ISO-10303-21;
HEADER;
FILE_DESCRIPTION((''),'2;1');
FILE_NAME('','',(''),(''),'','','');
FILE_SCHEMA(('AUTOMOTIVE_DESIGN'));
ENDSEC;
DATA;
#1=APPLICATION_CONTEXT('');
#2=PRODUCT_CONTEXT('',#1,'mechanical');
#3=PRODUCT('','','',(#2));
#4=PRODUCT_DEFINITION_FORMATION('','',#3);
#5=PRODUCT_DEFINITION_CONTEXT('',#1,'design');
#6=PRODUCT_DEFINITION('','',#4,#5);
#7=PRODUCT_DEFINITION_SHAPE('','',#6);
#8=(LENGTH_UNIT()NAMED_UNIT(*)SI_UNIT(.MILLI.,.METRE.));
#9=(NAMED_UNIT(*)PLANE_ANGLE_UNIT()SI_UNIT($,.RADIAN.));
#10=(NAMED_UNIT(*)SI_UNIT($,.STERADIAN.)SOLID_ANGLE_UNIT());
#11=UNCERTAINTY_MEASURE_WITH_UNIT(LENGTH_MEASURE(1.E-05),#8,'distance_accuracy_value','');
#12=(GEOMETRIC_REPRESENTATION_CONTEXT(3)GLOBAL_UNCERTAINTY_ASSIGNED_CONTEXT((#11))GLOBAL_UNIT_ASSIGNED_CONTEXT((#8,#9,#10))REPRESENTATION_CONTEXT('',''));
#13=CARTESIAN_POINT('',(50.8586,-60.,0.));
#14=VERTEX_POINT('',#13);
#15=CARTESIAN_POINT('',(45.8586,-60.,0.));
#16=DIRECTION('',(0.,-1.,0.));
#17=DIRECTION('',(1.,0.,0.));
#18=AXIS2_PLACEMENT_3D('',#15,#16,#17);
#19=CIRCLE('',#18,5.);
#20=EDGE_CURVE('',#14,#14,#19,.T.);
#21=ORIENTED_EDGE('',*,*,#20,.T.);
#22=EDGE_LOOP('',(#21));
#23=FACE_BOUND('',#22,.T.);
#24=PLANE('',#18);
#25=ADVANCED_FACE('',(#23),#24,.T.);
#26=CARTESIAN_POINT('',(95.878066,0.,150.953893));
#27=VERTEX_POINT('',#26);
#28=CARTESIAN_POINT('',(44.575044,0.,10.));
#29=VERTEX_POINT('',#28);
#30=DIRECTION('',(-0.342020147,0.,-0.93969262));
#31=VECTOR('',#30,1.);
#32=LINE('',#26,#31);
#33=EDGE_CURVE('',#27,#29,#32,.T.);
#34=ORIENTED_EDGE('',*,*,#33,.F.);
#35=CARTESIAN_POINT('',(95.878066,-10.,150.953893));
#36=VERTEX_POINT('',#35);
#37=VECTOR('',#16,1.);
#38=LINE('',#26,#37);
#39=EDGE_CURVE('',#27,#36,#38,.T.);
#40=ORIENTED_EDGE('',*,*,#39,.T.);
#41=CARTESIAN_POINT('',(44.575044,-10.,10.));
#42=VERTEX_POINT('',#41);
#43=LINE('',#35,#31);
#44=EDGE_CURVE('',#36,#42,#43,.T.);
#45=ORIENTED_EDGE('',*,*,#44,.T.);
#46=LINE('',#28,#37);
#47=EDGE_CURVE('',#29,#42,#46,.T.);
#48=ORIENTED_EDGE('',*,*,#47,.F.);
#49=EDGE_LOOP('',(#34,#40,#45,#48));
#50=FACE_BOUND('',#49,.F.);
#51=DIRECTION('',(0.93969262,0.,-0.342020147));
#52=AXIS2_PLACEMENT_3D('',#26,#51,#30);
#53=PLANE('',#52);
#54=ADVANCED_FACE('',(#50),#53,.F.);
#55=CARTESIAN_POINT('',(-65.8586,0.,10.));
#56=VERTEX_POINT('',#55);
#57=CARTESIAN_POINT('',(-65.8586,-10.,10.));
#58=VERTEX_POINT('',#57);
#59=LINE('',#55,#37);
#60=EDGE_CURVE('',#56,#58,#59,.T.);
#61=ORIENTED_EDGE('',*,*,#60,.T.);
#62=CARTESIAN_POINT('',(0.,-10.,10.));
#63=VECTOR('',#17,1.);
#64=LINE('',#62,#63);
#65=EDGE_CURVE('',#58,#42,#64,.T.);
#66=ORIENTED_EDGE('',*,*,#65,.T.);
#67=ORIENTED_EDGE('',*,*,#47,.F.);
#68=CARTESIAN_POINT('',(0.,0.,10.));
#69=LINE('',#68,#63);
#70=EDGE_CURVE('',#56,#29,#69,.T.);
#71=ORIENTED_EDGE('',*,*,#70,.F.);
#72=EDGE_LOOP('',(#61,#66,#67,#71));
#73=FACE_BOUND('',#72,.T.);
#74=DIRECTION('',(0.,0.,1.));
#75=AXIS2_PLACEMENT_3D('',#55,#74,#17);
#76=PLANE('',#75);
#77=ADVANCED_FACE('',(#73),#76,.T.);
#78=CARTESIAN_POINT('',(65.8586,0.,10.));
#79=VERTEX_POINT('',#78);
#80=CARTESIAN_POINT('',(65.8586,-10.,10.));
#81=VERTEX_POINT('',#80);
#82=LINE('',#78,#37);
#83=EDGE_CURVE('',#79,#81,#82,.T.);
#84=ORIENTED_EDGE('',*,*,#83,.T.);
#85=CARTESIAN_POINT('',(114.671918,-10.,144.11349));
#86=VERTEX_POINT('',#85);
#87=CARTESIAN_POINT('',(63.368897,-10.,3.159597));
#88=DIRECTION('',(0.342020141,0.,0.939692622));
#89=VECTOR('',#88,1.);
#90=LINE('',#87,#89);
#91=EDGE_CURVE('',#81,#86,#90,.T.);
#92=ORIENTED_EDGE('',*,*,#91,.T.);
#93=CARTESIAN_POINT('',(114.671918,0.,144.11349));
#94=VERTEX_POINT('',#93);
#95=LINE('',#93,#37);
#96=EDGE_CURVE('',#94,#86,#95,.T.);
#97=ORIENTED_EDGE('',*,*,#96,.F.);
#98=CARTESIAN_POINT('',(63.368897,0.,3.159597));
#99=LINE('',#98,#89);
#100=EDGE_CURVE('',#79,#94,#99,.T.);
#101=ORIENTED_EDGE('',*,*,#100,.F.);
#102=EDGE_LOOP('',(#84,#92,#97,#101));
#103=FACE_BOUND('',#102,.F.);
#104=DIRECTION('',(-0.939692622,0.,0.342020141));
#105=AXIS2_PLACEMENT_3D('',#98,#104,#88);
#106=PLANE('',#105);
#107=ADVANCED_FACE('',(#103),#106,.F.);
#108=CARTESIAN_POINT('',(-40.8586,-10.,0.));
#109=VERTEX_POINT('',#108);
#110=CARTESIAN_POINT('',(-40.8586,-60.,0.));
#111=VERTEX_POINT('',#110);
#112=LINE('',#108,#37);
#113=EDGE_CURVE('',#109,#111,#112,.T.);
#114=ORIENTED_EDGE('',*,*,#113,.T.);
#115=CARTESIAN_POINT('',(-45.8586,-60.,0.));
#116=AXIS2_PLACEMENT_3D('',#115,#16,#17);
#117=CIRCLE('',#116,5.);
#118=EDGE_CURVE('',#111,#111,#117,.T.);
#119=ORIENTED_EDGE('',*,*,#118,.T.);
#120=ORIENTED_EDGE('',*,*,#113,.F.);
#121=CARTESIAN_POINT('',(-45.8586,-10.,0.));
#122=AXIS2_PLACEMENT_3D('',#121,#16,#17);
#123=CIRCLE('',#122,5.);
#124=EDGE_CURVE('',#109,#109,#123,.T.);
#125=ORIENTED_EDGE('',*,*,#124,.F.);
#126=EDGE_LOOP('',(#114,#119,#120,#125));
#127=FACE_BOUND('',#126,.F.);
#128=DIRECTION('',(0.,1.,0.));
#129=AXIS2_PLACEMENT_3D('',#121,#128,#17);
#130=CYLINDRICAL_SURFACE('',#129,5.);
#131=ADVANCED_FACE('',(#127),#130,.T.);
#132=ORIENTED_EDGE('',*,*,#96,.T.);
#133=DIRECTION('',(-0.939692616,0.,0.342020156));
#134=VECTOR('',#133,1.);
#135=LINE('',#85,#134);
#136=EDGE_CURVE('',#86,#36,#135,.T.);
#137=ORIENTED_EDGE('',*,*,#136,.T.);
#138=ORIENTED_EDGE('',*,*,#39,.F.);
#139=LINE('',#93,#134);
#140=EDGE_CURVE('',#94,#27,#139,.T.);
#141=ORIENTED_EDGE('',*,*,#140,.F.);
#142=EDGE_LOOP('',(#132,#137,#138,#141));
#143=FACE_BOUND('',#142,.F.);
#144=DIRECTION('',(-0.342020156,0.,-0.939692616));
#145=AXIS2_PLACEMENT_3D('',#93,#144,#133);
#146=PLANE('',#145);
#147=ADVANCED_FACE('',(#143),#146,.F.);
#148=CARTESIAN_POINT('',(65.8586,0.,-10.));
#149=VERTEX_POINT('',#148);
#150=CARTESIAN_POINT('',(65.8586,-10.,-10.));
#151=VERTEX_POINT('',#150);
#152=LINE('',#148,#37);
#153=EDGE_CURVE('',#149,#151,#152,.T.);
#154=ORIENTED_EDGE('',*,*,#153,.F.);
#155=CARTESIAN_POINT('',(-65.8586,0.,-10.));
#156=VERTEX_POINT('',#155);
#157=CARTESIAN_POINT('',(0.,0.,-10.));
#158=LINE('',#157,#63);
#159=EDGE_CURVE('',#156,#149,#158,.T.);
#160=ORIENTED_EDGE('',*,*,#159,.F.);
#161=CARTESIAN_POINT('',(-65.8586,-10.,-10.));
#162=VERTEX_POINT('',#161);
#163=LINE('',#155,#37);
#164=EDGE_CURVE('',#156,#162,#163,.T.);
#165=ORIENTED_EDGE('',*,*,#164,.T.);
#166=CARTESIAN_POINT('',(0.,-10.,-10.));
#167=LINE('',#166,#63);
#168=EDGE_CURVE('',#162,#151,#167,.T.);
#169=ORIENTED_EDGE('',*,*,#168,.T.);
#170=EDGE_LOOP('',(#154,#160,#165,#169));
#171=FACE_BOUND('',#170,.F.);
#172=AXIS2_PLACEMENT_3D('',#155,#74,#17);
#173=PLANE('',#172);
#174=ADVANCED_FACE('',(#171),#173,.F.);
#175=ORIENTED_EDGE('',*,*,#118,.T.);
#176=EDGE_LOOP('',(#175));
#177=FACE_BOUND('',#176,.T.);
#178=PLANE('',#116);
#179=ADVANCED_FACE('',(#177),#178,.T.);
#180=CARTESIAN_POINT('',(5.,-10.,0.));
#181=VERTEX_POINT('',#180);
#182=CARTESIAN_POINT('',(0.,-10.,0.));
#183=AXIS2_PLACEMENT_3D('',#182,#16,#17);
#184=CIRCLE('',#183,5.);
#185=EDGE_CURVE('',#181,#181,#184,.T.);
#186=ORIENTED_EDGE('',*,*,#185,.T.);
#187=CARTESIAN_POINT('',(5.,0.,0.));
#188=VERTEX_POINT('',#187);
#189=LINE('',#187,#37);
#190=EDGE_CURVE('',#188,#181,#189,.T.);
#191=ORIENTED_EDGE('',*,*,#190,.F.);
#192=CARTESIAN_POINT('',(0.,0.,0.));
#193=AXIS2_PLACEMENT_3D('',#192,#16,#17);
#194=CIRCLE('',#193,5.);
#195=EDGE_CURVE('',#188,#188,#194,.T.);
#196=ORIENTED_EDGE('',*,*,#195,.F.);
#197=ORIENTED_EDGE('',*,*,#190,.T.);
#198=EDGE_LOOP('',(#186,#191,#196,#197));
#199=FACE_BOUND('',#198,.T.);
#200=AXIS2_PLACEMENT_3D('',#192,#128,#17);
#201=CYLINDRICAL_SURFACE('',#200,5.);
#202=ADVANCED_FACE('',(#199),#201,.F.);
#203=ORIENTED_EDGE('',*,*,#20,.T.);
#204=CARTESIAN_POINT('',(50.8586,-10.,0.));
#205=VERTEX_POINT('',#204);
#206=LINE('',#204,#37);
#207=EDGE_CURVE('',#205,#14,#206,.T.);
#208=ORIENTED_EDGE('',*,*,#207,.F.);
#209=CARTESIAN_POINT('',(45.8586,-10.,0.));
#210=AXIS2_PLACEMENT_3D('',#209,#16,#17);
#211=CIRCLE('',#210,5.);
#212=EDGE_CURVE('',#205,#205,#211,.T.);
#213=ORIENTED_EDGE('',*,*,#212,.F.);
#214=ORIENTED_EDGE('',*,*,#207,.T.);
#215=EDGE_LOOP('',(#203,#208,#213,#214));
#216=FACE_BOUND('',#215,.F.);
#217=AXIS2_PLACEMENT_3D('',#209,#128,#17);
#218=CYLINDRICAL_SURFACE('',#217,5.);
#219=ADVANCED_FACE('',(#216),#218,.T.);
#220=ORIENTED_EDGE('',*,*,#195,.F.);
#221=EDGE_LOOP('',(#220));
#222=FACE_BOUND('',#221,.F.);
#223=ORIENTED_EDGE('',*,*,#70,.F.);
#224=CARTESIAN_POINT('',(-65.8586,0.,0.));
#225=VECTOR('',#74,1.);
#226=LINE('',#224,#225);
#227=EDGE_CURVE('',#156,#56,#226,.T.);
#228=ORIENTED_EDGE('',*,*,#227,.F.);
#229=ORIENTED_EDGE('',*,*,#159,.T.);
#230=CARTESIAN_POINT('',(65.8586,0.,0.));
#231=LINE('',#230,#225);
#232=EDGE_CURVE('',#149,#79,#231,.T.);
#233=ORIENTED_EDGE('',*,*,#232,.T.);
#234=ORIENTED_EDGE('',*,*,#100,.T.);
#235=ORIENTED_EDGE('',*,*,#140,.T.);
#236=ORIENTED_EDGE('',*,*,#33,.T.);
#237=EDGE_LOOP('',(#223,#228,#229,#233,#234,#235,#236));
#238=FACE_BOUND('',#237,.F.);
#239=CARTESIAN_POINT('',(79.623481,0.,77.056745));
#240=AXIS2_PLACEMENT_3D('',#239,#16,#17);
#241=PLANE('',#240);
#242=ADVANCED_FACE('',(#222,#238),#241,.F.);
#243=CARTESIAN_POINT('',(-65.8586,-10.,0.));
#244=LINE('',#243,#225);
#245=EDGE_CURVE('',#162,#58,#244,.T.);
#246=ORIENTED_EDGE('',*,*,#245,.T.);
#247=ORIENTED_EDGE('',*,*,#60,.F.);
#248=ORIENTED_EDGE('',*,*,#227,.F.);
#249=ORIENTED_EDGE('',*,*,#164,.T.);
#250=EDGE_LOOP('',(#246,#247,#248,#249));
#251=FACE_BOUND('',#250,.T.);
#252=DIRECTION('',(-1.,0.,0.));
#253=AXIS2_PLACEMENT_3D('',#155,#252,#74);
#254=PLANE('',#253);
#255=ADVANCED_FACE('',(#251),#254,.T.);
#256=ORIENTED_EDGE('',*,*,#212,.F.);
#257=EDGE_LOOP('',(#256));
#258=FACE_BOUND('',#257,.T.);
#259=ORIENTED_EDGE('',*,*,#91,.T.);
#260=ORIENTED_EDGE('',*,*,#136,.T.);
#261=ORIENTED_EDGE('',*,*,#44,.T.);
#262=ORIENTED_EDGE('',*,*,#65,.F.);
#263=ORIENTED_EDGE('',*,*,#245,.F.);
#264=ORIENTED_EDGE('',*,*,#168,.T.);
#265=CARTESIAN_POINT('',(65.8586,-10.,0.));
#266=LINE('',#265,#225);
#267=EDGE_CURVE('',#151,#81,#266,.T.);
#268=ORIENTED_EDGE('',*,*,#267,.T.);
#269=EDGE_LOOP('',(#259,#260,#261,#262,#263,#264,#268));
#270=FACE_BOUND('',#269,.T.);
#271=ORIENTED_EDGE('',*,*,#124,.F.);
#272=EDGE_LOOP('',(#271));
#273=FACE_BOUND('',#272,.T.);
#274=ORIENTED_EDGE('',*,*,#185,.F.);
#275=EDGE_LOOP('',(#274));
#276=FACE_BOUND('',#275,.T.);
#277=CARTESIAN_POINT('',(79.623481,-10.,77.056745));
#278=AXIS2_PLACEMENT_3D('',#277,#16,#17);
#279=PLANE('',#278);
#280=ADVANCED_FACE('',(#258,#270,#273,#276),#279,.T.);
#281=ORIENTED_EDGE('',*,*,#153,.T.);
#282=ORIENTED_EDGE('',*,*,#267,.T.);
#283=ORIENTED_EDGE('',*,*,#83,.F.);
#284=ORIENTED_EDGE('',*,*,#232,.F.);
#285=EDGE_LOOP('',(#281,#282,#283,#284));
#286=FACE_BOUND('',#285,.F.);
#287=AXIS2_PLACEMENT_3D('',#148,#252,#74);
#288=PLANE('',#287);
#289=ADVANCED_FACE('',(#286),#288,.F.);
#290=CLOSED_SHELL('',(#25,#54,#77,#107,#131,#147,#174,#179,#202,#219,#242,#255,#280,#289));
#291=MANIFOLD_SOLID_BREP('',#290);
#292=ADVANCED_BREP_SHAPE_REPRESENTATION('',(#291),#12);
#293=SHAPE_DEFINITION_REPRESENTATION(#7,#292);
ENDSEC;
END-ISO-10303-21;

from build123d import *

# Parameters (mm, degrees)
F0_W     = 131.7172
F0_H     = 20
F0_R     = 5
F1_DEPTH = 10
F2_R     = 5
F3_DEPTH = 50
F5_DEPTH = 10


with BuildPart() as f1:
    # F0 (on Front) → F1 (new body)
    with BuildSketch(Plane.XZ):
        Rectangle(F0_W, F0_H)
        Circle(F0_R, mode=Mode.SUBTRACT)
    extrude(amount=F1_DEPTH)

    # F2 (on face) → F3 (join)
    with BuildSketch(Plane.XZ.offset(10)):
        with Locations((-45.8586, 0)):
            Circle(F2_R)
        with Locations((45.8586, 0)):
            Circle(F2_R)
    extrude(amount=F3_DEPTH)

    # F4 (on Front) → F5 (join)
    with BuildSketch(Plane.XZ):
        Polygon((95.878066, 150.953893), (44.575044, 10), (63.368897, 3.159597), (114.671918, 144.11349), align=None)
    extrude(amount=F5_DEPTH)


solid = f1.part
